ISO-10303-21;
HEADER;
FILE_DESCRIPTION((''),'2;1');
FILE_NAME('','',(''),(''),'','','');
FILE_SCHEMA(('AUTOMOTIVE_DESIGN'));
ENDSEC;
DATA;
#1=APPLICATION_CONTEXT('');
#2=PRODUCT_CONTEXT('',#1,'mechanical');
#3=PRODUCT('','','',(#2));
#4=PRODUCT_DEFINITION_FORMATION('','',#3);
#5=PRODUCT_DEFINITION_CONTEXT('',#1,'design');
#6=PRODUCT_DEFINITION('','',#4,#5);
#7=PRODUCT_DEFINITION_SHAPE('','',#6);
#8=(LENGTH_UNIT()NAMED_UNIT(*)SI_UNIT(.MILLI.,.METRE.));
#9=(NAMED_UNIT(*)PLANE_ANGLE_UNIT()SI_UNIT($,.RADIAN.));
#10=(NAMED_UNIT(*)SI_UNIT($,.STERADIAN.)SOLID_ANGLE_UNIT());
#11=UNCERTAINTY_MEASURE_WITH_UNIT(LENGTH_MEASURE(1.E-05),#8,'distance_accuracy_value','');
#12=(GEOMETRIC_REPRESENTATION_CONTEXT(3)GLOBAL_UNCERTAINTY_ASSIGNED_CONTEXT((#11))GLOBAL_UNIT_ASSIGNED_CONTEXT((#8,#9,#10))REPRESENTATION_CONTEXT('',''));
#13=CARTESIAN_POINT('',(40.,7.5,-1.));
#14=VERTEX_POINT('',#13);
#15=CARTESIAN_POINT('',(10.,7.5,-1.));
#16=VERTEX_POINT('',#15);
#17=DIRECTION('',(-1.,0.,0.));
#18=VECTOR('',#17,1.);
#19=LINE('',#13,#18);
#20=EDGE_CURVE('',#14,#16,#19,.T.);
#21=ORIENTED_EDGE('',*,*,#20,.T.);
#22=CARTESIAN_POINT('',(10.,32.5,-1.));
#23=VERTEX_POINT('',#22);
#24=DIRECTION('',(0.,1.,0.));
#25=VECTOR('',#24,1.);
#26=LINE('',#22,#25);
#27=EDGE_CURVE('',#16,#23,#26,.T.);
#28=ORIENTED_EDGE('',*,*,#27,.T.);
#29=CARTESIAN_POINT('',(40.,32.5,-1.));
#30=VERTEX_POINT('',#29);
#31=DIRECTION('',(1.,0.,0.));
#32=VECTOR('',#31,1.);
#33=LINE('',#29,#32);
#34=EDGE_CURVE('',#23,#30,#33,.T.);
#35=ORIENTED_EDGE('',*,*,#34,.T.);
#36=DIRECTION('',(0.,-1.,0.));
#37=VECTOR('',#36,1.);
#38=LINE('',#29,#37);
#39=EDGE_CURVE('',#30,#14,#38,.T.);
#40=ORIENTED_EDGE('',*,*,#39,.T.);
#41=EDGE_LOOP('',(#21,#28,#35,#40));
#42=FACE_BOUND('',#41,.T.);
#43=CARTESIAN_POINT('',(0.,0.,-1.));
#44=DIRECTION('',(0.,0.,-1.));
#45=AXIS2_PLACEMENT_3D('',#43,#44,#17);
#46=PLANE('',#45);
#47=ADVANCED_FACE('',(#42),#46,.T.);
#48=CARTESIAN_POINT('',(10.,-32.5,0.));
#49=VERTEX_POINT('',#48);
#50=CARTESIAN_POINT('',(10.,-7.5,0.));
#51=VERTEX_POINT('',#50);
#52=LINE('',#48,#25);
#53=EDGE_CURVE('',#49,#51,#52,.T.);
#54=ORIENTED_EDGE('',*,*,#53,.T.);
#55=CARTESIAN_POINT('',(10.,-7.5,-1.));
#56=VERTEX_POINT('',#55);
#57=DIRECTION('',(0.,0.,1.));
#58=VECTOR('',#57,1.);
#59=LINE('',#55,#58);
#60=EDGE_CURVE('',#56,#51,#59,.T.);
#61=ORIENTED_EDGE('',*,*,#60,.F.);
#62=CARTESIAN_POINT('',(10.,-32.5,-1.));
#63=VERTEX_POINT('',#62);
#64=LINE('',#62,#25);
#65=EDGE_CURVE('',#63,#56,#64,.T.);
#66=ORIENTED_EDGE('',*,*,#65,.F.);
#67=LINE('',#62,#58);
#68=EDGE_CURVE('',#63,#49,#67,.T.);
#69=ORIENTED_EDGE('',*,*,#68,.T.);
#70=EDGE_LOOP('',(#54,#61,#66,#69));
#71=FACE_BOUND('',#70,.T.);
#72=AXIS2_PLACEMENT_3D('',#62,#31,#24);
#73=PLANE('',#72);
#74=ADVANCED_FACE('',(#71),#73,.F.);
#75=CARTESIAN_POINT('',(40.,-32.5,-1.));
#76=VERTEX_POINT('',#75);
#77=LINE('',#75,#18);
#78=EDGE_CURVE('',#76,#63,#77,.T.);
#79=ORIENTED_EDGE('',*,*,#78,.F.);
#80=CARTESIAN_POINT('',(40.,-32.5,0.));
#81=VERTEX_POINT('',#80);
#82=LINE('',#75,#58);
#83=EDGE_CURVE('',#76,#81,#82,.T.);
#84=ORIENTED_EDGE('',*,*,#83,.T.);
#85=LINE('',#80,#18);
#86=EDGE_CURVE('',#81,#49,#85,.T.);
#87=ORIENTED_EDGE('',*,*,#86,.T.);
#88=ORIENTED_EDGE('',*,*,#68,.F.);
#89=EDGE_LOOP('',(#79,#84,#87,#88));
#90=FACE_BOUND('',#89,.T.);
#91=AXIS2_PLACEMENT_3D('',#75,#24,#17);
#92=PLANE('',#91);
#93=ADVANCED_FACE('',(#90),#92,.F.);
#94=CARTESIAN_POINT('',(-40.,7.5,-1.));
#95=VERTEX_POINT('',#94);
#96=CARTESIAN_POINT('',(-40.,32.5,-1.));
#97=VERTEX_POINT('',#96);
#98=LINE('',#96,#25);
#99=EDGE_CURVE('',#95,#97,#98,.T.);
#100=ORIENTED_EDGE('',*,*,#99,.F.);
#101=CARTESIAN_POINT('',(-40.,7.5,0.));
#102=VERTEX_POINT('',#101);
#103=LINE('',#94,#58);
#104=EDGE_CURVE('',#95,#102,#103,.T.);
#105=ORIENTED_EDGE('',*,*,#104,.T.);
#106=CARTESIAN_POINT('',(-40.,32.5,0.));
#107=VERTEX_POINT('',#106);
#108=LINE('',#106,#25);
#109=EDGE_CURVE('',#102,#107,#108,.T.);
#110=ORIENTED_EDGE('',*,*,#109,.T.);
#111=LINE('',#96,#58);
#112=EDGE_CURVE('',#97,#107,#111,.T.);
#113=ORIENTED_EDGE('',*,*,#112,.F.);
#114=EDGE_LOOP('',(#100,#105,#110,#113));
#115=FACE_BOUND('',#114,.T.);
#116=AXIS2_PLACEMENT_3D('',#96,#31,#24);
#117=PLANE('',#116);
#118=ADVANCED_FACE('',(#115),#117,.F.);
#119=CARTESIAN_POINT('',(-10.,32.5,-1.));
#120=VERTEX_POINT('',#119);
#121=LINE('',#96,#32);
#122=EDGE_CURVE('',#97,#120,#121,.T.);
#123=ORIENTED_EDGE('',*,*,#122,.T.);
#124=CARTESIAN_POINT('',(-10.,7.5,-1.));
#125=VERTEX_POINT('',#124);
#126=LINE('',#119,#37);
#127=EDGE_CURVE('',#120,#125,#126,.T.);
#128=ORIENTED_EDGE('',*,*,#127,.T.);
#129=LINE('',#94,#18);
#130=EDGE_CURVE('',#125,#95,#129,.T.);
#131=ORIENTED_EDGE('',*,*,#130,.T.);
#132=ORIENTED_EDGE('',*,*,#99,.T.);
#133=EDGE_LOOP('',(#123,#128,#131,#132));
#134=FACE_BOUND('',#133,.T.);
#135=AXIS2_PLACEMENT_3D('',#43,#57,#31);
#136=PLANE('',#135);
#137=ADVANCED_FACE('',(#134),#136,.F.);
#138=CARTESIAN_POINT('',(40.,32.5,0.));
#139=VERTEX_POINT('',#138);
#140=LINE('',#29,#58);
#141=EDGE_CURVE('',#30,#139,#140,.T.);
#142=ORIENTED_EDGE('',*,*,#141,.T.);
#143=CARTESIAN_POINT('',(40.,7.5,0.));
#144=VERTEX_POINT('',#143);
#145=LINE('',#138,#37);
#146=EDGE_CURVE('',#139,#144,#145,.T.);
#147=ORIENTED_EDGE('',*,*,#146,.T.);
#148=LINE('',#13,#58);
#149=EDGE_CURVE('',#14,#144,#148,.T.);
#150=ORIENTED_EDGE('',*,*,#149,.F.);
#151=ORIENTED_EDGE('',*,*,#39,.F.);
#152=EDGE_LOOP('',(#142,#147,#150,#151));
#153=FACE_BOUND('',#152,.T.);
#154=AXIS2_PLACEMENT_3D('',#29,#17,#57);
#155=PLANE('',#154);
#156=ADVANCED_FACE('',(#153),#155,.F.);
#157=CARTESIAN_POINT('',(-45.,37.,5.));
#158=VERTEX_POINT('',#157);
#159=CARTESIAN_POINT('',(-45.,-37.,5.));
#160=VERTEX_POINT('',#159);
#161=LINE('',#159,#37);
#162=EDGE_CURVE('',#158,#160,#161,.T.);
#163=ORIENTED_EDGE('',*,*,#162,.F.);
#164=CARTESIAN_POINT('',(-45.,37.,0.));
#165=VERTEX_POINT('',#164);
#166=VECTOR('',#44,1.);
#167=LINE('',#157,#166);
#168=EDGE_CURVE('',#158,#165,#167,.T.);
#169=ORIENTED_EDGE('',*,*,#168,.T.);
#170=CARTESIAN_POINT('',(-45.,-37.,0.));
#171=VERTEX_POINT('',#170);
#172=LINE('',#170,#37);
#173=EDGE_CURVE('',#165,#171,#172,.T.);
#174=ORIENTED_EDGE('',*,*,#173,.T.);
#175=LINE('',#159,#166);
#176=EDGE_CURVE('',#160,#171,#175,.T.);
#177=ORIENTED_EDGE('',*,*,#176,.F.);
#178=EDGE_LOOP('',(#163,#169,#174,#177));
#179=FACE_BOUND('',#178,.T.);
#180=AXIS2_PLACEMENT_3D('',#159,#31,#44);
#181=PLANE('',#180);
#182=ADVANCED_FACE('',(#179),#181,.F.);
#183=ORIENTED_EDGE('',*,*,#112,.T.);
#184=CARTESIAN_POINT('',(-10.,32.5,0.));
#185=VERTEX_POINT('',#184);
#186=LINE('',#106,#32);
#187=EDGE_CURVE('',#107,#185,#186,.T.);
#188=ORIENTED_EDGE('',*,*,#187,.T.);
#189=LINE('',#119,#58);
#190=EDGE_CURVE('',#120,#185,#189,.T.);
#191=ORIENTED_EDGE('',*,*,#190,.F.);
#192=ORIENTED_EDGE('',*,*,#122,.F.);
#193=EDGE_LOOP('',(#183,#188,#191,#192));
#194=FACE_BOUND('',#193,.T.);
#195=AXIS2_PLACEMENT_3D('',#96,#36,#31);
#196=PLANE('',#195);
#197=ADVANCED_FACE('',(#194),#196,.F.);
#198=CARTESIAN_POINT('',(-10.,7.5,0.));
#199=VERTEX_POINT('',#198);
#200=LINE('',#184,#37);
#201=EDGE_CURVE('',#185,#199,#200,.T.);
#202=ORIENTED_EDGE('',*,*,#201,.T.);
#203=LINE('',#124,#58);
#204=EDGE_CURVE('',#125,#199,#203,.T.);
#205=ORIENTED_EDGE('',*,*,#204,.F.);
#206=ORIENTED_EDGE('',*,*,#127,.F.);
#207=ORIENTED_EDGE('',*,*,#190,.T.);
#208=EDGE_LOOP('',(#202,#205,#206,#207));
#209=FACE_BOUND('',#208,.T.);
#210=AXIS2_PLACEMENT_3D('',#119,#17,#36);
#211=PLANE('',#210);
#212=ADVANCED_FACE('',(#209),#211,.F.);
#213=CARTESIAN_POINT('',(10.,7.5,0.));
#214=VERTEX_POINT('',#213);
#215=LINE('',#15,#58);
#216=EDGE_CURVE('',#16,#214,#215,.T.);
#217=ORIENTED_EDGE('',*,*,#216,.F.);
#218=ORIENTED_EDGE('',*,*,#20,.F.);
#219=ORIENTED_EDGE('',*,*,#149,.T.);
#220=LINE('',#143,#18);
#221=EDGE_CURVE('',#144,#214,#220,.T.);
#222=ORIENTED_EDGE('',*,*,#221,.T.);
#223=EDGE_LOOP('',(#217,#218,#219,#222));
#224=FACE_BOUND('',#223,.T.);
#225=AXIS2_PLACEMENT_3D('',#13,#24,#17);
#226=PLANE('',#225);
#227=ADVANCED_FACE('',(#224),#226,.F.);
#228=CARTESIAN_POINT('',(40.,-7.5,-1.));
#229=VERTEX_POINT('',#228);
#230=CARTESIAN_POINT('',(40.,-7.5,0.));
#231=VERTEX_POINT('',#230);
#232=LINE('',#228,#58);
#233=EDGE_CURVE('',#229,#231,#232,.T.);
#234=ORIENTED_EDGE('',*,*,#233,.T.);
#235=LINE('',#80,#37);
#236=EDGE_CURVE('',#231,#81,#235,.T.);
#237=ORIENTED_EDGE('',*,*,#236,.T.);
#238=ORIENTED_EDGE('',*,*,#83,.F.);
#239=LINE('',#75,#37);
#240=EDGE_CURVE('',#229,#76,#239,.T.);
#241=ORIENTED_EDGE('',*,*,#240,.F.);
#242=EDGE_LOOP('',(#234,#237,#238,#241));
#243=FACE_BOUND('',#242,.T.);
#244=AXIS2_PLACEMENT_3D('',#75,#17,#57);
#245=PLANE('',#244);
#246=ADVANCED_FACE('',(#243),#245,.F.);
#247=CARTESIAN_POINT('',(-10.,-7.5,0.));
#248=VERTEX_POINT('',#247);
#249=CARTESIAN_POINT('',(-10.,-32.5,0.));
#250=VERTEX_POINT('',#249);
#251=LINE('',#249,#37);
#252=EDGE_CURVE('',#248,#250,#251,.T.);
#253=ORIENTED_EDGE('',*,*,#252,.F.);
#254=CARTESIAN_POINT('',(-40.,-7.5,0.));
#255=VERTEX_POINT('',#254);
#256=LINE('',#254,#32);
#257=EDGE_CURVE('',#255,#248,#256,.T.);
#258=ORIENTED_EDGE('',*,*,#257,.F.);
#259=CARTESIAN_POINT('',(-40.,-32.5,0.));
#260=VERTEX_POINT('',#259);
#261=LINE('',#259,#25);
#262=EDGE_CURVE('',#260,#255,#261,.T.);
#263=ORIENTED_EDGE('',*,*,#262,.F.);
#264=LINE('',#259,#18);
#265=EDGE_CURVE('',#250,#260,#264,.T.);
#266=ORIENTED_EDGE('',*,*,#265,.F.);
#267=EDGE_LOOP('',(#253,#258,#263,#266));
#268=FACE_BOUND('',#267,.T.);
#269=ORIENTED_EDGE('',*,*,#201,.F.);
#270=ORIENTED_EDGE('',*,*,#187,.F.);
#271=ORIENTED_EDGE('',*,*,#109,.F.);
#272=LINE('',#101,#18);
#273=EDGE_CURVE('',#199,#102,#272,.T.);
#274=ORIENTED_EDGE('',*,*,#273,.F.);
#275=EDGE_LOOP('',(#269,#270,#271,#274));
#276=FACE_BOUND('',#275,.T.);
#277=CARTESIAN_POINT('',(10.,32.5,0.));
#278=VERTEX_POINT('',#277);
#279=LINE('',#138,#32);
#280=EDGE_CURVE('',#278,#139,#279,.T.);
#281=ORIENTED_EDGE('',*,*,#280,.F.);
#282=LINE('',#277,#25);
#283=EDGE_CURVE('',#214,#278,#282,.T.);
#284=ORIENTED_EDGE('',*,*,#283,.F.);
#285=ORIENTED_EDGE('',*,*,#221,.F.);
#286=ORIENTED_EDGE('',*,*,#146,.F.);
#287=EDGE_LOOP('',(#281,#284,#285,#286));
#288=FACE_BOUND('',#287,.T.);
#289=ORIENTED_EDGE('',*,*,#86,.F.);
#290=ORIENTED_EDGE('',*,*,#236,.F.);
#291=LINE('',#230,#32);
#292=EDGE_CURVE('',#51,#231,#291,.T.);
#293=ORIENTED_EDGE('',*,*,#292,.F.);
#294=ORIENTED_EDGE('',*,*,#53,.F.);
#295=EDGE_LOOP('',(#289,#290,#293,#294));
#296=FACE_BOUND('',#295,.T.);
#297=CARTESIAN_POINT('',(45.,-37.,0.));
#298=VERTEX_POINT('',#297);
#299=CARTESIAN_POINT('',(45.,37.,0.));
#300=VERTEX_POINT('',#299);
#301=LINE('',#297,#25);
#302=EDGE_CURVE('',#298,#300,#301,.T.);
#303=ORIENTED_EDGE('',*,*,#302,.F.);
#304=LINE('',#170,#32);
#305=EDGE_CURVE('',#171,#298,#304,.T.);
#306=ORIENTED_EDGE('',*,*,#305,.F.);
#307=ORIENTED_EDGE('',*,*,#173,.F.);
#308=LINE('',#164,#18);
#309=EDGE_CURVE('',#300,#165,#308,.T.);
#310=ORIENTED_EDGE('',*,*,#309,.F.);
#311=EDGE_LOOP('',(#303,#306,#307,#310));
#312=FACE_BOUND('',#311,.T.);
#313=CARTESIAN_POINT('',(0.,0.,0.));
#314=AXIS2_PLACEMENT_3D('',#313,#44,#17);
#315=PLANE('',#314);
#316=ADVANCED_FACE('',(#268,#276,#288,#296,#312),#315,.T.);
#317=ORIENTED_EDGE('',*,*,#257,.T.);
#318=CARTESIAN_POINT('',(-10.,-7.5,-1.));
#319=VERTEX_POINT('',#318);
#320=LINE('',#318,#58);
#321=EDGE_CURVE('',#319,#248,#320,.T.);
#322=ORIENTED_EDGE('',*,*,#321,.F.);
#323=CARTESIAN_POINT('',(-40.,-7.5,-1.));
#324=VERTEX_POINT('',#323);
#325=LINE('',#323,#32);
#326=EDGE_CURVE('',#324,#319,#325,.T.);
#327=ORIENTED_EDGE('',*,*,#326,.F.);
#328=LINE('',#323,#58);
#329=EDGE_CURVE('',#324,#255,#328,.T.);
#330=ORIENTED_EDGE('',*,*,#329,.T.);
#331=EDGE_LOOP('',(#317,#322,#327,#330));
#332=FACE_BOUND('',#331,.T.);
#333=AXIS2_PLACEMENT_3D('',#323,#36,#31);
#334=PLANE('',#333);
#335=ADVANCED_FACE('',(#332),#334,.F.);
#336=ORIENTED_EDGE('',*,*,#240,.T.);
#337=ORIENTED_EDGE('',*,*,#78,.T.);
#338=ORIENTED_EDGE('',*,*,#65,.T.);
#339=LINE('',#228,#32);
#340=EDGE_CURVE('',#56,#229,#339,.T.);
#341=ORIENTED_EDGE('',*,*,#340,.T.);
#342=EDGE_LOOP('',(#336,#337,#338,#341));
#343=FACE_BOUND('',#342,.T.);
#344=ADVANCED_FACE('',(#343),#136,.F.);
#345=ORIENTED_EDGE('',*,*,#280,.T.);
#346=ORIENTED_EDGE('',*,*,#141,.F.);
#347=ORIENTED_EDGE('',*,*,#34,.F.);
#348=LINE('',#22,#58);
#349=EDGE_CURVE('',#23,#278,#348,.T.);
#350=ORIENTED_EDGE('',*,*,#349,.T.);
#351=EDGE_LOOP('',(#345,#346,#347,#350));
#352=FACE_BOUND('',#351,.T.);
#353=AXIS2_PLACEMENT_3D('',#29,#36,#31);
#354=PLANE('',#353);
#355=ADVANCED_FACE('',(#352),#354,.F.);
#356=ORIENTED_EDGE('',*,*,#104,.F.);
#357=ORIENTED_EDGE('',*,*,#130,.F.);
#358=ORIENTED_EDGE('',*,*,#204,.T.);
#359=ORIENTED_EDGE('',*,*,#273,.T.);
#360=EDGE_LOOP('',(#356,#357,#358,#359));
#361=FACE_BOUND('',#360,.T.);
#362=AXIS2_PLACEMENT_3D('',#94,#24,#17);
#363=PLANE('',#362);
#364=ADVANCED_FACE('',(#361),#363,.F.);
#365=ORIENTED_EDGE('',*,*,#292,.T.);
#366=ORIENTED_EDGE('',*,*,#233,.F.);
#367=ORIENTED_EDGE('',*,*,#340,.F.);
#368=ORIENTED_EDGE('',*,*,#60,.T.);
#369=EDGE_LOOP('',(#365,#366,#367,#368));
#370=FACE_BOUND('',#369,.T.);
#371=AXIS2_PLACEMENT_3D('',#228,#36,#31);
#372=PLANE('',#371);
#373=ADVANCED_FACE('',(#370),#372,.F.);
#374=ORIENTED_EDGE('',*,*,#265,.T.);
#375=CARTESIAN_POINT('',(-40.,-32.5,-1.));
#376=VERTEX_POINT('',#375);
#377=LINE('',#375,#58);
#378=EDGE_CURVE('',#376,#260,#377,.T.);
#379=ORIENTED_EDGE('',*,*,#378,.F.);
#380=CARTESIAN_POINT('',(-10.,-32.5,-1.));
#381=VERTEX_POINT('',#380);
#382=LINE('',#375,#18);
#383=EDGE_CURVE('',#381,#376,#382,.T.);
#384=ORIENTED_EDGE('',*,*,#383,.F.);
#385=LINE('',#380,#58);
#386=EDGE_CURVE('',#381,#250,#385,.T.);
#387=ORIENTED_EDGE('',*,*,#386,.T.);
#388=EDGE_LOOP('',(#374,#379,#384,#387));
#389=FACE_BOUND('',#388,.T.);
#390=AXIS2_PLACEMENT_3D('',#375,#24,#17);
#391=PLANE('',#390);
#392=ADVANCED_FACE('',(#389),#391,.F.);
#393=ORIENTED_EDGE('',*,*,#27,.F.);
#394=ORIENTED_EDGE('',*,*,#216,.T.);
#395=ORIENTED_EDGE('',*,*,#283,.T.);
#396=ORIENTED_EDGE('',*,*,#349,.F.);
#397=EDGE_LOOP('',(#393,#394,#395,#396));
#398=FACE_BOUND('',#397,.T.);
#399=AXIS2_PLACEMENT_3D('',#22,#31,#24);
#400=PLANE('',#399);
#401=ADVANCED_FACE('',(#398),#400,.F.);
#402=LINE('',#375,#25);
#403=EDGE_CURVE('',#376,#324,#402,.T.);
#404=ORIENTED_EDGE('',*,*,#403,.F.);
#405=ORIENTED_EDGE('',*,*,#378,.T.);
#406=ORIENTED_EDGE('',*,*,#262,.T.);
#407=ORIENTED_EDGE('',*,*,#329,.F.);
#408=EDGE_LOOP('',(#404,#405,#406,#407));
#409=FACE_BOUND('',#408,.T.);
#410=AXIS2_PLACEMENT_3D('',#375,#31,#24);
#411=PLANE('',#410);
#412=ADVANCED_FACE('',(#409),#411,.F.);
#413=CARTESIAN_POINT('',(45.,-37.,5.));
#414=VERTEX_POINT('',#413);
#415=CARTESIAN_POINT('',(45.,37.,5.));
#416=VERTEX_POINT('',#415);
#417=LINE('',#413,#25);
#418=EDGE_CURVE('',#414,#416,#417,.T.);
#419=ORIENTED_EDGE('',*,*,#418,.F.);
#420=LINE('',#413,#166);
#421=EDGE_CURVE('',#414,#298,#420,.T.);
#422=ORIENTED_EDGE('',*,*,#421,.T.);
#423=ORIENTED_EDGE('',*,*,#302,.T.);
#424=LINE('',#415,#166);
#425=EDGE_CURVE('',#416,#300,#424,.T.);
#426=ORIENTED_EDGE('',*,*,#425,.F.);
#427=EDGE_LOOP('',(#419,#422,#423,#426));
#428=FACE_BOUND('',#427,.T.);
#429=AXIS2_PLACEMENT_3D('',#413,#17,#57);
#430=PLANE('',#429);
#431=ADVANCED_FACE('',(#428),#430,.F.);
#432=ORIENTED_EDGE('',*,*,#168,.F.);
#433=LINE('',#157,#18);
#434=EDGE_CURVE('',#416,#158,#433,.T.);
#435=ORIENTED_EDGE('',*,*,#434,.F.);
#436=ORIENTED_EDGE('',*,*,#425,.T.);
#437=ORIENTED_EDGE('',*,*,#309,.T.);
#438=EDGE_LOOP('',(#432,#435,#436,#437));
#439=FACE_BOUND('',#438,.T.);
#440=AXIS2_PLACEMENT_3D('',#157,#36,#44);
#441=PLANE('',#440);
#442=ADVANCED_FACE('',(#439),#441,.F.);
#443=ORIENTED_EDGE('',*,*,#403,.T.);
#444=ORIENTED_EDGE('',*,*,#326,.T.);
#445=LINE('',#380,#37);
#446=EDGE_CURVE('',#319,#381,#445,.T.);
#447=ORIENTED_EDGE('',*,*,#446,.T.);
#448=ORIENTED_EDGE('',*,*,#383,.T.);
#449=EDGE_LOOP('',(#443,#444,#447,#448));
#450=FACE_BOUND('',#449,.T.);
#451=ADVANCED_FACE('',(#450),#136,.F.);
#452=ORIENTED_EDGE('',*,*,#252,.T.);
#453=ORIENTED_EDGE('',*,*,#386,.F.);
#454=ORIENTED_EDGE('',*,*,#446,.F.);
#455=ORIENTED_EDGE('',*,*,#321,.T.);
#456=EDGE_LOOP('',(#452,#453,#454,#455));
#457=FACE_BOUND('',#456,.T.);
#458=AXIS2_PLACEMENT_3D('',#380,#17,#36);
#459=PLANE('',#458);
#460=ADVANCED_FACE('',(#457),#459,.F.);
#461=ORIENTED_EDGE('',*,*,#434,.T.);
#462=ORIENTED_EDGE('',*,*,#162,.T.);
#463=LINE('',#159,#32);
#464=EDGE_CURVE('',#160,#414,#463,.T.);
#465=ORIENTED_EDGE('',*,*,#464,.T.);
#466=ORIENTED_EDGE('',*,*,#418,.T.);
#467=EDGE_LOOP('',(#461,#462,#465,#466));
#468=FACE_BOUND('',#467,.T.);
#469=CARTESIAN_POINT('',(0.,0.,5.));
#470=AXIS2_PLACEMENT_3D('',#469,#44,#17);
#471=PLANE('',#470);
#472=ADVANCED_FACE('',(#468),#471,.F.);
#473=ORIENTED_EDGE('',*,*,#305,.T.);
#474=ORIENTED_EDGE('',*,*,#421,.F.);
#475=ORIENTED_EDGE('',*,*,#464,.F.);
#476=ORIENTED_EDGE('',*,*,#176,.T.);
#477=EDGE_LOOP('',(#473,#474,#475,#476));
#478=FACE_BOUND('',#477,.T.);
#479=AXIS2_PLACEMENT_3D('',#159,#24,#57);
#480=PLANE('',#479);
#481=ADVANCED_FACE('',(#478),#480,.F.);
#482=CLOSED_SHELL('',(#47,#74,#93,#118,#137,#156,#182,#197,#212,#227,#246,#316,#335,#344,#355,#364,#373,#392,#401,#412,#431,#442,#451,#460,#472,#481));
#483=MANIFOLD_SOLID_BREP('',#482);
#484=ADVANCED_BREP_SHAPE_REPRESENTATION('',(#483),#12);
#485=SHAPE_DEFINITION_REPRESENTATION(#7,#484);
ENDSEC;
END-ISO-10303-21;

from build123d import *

# Parameters (mm, degrees)
CROQUIS1_W              = 90
CROQUIS1_H              = 74
SALIENTE_EXTRUIR1_DEPTH = 5
CROQUIS3_W              = 30
CROQUIS3_H              = 25
SALIENTE_EXTRUIR2_DEPTH = 1


with BuildPart() as part:
    # Croquis1 → Saliente-Extruir1 (new body)
    with BuildSketch(Plane.XY):
        Rectangle(CROQUIS1_W, CROQUIS1_H)
    extrude(amount=SALIENTE_EXTRUIR1_DEPTH)

    # Croquis3 → Saliente-Extruir2 (add)
    with BuildSketch(Plane(origin=(0, 0, 0), x_dir=(-1, 0, 0), z_dir=(0, 0, -1))):
        with Locations((-25, 20)):
            Rectangle(CROQUIS3_W, CROQUIS3_H)
        with Locations((-25, -20)):
            Rectangle(CROQUIS3_W, CROQUIS3_H)
        with Locations((25, 20)):
            Rectangle(CROQUIS3_W, CROQUIS3_H)
        with Locations((25, -20)):
            Rectangle(CROQUIS3_W, CROQUIS3_H)
    extrude(amount=SALIENTE_EXTRUIR2_DEPTH)


solid = part.part
